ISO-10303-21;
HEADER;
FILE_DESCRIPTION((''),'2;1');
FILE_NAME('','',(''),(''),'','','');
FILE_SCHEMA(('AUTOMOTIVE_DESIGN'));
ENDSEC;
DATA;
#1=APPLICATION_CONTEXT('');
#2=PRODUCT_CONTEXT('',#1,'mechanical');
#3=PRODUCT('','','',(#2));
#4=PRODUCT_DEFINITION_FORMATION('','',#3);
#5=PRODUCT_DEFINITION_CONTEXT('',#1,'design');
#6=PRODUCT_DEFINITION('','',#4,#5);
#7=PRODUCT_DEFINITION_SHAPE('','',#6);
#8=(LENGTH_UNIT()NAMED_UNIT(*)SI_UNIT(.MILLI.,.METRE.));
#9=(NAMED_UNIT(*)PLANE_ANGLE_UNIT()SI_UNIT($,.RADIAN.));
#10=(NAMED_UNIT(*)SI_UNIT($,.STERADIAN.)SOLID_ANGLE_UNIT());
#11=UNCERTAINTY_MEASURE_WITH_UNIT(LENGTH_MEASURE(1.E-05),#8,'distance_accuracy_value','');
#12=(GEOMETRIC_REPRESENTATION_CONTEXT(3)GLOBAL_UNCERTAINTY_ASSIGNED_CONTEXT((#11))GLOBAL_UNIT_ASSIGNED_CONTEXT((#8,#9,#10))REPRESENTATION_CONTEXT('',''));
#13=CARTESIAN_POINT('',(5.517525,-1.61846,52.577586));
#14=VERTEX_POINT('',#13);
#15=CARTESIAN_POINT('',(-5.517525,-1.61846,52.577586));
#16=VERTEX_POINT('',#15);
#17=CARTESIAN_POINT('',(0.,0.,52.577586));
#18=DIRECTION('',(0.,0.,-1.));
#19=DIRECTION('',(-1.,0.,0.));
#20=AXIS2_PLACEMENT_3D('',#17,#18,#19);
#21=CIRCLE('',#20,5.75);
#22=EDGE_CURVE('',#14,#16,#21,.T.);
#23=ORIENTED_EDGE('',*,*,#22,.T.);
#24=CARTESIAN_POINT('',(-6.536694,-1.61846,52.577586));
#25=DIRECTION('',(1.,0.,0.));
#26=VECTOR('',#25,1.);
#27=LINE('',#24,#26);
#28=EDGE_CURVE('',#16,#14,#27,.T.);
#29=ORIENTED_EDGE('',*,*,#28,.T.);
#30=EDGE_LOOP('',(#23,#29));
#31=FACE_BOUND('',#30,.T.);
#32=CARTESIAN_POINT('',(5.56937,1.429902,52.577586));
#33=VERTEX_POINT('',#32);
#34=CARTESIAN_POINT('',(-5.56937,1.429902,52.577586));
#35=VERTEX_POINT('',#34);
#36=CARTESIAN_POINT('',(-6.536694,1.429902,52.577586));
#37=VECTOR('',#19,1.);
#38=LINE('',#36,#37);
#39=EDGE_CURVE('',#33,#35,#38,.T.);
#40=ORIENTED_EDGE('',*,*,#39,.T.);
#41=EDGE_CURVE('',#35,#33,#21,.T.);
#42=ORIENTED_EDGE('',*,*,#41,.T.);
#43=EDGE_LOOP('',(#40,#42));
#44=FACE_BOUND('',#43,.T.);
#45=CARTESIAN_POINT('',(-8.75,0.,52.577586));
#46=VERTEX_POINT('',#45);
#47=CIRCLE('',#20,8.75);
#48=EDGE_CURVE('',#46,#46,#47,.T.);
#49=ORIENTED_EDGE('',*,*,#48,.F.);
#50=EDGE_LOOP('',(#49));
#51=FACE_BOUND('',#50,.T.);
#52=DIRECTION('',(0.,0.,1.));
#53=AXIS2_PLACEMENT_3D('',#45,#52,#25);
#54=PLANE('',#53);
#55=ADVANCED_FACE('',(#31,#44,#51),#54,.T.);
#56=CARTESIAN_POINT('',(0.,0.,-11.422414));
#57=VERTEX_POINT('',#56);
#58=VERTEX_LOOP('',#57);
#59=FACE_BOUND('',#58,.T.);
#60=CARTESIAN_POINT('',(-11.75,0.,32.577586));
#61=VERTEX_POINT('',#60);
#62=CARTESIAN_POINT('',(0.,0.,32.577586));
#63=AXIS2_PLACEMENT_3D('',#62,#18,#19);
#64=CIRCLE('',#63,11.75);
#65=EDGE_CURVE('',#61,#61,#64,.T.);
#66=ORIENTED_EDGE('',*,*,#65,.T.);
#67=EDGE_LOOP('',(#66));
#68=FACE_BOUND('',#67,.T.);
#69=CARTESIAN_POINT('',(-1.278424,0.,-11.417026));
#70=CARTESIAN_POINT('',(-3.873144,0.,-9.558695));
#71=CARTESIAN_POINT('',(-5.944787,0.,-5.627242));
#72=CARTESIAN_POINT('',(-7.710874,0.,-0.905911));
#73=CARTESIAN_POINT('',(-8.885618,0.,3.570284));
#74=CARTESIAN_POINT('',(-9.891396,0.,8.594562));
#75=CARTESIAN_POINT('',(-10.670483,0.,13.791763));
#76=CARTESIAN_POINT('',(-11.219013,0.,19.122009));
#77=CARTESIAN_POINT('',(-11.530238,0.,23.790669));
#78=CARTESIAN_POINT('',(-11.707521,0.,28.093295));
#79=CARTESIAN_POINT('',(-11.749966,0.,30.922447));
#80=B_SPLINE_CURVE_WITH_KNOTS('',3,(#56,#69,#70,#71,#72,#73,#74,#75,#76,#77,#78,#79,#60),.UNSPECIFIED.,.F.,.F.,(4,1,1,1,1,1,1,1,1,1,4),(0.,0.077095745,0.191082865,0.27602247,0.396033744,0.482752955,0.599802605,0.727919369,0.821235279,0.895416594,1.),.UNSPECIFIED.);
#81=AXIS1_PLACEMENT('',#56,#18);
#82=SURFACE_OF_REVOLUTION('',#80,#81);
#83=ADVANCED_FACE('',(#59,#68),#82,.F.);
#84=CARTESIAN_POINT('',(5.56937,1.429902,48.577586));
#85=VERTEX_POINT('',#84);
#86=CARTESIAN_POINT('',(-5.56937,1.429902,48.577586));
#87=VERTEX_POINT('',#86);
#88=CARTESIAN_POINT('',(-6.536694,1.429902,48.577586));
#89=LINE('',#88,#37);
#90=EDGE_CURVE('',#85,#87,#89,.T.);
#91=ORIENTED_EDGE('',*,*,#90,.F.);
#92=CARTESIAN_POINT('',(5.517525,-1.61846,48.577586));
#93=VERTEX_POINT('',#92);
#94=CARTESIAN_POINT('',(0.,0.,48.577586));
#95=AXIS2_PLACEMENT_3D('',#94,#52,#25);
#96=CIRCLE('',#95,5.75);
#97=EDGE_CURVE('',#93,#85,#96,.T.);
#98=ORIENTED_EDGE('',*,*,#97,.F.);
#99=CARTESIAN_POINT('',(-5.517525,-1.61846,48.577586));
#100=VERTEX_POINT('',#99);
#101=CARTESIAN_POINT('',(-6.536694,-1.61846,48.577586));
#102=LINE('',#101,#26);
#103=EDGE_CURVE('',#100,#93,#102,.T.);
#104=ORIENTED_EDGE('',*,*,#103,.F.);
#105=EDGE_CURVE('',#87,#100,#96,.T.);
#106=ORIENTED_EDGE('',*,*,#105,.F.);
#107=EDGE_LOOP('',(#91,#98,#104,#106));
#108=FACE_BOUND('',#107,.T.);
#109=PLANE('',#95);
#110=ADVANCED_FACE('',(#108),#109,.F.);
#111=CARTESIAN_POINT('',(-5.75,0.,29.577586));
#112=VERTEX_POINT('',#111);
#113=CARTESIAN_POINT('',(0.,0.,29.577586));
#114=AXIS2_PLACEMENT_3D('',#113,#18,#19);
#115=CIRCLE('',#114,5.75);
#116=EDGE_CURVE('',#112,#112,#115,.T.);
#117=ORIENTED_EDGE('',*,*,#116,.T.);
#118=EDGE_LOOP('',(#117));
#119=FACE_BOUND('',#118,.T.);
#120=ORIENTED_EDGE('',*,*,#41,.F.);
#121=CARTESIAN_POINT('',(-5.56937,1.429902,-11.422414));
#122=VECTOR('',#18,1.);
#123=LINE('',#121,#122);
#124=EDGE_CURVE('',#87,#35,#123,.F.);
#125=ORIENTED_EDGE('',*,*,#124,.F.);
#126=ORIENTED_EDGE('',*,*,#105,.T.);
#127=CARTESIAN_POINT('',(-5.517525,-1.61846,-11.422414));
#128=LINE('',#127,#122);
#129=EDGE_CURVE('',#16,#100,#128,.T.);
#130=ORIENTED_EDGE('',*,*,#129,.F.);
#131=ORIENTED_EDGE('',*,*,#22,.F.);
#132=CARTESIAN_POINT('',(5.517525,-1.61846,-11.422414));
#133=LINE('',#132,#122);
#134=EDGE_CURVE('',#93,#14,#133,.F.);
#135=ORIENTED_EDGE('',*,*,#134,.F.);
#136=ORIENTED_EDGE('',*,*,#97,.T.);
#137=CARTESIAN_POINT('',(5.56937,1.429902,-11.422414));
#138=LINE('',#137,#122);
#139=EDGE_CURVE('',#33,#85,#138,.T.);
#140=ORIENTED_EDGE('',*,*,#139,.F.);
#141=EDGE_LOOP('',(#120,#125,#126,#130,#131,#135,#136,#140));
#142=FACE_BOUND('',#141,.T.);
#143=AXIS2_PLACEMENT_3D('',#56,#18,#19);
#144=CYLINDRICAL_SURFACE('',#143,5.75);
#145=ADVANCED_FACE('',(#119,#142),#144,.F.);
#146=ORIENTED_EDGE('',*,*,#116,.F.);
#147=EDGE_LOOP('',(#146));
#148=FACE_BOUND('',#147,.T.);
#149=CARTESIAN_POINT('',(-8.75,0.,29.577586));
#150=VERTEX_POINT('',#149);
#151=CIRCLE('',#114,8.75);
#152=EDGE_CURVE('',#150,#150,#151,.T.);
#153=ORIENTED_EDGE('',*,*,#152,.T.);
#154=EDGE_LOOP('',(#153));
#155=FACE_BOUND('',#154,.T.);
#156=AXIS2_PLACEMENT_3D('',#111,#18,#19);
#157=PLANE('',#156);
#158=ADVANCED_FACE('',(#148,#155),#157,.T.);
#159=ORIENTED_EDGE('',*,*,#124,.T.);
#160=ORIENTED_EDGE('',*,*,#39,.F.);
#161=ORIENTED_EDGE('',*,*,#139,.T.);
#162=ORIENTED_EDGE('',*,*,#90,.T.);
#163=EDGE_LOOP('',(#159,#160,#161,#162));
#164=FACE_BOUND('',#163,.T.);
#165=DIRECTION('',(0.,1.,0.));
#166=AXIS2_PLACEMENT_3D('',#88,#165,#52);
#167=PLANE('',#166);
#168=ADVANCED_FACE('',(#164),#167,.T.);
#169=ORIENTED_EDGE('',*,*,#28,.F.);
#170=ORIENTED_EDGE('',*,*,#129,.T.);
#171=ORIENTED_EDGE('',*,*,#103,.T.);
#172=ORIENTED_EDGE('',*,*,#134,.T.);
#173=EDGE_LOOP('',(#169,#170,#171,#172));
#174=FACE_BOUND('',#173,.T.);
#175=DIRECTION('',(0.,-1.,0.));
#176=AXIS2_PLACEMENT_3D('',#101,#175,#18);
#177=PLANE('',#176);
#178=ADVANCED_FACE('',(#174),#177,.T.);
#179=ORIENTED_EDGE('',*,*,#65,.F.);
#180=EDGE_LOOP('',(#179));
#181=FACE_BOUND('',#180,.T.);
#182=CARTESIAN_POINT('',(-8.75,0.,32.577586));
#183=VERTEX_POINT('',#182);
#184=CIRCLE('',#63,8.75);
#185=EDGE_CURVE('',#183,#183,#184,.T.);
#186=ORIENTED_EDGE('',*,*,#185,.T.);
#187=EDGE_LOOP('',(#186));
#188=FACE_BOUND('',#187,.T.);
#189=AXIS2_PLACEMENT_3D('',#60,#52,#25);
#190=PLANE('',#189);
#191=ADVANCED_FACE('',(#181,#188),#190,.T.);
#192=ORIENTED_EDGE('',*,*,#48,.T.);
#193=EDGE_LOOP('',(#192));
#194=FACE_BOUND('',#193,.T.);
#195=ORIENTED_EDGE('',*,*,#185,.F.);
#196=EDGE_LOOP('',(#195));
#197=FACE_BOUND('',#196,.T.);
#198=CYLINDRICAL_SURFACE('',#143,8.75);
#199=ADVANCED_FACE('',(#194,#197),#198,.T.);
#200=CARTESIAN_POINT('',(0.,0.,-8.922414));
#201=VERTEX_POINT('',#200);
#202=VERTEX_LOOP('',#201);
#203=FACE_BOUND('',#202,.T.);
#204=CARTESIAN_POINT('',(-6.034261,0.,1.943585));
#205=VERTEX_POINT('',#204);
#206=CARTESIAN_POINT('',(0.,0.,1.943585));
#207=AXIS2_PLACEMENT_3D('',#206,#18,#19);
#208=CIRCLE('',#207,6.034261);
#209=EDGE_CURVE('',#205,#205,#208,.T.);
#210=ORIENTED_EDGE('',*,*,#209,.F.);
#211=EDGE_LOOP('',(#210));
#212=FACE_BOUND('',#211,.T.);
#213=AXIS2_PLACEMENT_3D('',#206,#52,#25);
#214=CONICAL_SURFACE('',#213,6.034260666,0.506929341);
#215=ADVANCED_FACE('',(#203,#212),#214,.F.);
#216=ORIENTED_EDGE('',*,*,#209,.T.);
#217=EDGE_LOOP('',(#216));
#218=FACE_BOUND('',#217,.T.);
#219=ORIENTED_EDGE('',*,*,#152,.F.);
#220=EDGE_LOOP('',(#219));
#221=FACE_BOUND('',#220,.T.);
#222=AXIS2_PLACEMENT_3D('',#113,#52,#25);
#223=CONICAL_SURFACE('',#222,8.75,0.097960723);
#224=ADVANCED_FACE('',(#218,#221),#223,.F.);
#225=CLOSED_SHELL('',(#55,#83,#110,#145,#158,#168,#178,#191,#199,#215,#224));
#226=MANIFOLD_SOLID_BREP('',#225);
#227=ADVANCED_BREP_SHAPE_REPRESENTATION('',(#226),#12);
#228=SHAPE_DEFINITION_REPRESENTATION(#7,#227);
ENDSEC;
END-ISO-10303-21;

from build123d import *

# Parameters (mm, degrees)
SKETCH3_W           = 13.167666735
SKETCH3_H           = 3.048361989
BOSS_EXTRUDE7_DEPTH = 4


with BuildPart() as part:
    # Sketch1 → Revolve1 (revolve)
    with BuildSketch(Plane(origin=(0, 0, 0), x_dir=(1, 0, 0), z_dir=(0, 1, 0))):
        with BuildLine():
            Line((0, 11.422413793), (0, 8.922413793))
            Line((0, 8.922413793), (-6.034260666, -1.943584812))
            Line((-6.034260666, -1.943584812), (-8.75, -29.577586207))
            Line((-8.75, -29.577586207), (-5.75, -29.577586207))
            Line((-5.75, -29.577586207), (-5.75, -52.577586207))
            Line((-5.75, -52.577586207), (-8.75, -52.577586207))
            Line((-8.75, -52.577586207), (-8.75, -32.577586207))
            Line((-8.75, -32.577586207), (-11.75, -32.577586207))
            add(Edge.make_bspline(
                [(0, 11.422413793), (-1.278423588, 11.417026245), (-3.873144244, 9.558695327), (-5.944786969, 5.627242402), (-7.710873625, 0.905910608), (-8.885618359, -3.570284013), (-9.891395845, -8.594561629), (-10.670483225, -13.791762741), (-11.219012774, -19.122009095), (-11.530237696, -23.790668903), (-11.707521388, -28.093294524), (-11.749966177, -30.922446964), (-11.75, -32.577586207)],
                knots=[0, 0, 0, 0, 0.077095745, 0.191082865, 0.27602247, 0.396033744, 0.482752955, 0.599802605, 0.727919369, 0.821235279, 0.895416594, 1, 1, 1, 1], degree=3))
        make_face()
    revolve(axis=Axis((0, 0, -11.422413793), (0, 0, 1)))

    # Sketch3 → Boss-Extrude7 (add)
    with BuildSketch(Plane.XY.offset(52.577586207)):
        with Locations((0.047139619, -0.094279236)):
            Rectangle(SKETCH3_W, SKETCH3_H)
    extrude(amount=-BOSS_EXTRUDE7_DEPTH)


solid = part.part
